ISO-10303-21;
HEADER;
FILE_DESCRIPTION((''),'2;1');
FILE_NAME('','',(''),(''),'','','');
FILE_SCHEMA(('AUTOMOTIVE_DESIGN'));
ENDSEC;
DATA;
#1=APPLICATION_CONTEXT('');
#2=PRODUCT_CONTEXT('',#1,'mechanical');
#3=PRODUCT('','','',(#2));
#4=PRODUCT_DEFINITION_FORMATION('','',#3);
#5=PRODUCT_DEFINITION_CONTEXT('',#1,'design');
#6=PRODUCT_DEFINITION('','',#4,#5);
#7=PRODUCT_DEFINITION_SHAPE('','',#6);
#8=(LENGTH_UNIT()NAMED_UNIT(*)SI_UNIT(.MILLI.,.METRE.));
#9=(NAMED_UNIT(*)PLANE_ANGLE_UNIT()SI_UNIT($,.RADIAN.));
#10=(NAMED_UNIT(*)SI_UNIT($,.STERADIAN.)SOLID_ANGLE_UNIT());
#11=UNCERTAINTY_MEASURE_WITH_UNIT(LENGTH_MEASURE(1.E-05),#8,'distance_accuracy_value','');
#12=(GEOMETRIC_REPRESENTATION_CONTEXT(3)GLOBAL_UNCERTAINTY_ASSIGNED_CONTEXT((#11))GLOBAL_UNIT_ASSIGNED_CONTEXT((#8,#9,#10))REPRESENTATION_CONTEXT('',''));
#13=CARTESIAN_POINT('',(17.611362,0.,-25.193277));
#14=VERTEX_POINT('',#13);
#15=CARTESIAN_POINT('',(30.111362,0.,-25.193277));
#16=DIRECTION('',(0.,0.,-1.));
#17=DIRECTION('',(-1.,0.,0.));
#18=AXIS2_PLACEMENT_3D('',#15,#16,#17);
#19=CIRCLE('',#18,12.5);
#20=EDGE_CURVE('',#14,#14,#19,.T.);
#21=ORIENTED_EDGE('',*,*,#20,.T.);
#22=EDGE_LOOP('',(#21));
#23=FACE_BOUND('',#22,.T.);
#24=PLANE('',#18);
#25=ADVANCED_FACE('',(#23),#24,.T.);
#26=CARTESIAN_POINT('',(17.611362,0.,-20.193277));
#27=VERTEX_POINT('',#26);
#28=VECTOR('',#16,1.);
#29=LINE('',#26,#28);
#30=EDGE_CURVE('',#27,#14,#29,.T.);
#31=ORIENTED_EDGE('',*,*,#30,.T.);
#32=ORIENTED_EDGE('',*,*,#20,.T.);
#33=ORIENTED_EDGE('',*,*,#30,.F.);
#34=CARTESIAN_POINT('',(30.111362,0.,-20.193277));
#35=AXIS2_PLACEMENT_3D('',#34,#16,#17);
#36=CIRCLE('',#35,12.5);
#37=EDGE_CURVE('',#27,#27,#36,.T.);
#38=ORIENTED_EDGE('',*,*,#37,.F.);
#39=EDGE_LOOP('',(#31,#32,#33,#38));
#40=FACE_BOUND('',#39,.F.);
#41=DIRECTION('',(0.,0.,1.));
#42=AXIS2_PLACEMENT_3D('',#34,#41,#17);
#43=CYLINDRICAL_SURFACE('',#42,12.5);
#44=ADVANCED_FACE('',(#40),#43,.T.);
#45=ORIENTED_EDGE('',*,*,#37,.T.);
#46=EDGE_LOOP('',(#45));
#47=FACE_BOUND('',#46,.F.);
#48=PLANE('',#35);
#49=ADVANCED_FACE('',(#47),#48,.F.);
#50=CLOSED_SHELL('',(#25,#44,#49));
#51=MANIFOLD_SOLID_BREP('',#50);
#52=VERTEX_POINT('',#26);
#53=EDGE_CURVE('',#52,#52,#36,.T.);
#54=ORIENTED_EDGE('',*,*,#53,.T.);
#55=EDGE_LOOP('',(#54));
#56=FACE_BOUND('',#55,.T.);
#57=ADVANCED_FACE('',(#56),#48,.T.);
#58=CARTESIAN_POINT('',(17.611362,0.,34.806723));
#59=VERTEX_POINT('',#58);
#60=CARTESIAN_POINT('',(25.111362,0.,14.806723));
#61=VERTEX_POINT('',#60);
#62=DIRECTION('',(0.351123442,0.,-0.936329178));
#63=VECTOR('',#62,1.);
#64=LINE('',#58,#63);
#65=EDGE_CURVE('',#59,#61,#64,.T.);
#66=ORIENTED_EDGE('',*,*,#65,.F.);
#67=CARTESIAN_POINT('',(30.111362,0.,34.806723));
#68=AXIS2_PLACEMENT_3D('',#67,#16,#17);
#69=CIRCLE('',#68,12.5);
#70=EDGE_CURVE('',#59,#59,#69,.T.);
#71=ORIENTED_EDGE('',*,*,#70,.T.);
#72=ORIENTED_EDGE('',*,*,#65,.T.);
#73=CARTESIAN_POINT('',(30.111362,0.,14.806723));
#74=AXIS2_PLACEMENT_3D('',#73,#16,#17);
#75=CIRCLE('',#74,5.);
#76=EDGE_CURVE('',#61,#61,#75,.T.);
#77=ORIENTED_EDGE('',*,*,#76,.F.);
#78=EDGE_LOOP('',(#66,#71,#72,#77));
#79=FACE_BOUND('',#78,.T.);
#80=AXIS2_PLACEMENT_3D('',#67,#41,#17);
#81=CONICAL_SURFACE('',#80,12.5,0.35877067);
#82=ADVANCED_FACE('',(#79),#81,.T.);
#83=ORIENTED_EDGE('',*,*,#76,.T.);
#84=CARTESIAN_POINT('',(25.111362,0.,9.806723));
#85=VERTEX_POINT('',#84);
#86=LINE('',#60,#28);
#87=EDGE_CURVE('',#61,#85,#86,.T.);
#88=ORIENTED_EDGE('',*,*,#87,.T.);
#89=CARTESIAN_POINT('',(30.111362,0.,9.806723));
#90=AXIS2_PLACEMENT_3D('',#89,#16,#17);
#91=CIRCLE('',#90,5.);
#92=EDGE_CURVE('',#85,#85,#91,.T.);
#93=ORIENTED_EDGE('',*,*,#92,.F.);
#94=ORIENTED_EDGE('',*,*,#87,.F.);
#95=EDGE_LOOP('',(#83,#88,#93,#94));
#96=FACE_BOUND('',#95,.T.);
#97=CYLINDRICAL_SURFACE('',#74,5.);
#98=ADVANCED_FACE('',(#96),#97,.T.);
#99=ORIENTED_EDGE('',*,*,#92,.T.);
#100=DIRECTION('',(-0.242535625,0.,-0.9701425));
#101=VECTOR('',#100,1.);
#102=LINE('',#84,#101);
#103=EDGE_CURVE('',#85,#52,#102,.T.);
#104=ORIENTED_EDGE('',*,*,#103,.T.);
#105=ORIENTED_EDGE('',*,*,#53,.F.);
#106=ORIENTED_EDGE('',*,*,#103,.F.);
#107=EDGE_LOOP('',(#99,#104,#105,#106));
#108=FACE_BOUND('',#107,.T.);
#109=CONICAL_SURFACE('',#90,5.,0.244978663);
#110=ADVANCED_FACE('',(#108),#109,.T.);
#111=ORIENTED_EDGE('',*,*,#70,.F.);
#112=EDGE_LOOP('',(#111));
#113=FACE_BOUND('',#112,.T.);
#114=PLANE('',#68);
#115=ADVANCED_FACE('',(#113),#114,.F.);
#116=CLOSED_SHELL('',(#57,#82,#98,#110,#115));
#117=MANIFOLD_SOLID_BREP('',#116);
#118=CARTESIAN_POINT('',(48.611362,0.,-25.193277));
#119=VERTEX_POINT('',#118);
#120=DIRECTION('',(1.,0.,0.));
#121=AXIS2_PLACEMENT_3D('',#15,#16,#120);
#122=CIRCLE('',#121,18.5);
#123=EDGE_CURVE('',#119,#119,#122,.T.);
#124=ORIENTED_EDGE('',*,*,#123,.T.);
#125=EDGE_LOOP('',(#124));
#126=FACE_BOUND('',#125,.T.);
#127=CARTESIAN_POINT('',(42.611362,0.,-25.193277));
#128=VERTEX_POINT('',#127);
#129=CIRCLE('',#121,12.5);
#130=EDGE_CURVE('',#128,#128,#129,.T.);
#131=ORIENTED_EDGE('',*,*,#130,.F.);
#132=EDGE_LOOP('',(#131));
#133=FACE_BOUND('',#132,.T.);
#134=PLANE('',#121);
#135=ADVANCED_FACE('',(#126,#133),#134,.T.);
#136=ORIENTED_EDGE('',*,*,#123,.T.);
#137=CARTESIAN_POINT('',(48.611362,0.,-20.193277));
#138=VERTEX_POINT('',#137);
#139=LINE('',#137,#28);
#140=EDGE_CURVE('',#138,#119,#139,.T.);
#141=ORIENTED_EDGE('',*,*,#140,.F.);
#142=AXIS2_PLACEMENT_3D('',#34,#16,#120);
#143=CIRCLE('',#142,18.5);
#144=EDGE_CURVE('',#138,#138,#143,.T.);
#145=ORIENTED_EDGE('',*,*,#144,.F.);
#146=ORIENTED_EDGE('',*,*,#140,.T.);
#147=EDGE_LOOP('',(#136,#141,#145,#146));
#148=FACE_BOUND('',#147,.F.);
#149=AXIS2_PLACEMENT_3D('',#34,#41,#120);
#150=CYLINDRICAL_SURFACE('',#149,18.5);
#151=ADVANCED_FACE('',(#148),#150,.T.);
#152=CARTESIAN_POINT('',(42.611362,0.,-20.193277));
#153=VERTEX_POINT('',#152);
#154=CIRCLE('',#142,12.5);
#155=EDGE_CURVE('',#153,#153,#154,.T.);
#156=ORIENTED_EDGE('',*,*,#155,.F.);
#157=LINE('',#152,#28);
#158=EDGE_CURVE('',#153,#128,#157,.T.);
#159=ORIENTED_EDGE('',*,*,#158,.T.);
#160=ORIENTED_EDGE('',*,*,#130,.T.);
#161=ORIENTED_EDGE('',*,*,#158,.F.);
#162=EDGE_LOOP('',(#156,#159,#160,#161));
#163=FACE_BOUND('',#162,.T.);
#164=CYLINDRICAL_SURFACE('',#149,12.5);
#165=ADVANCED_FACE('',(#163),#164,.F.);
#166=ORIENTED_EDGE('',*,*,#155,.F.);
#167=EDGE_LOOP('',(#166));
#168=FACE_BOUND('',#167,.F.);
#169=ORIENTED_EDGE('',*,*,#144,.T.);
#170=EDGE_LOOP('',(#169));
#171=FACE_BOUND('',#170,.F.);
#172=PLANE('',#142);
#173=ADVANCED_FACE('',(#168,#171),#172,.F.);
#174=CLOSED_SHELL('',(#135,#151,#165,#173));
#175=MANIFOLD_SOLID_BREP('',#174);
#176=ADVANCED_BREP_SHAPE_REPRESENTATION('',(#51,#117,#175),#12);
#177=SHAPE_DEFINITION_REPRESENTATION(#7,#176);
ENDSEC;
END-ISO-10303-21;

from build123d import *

# Parameters (mm, degrees)
F0_W     = 5
F0_H     = 1.25
F0_H_2   = 2.5
F2_R     = 18.5
F2_R_2   = 12.5
F3_DEPTH = 5
F4_DEPTH = 5


with BuildPart() as f1:
    # F0 (on Front) → F1 (revolve)
    with BuildSketch(Plane.XZ):
        Polygon((25.11136204, 9.8067230731), (17.61136204, -20.1932769269), (30.11136204, -20.1932769269), (30.11136204, 9.8067230731), align=None)
        Polygon((17.61136204, 34.8067230731), (25.11136204, 14.8067230731), (30.11136204, 14.8067230731), (30.11136204, 34.8067230731), align=None)
        with Locations((27.61136204, 10.4317230731)):
            Rectangle(F0_W, F0_H)
        with Locations((27.61136204, 12.3067230731)):
            Rectangle(F0_W, F0_H_2)
        with Locations((27.61136204, 14.1817230731)):
            Rectangle(F0_W, F0_H)
    revolve(axis=Axis((30.11136204, 0, 14.1817230731), (0, 0, -1)))


with BuildPart() as f3:
    # F2 (on face) → F3 (new body)
    with BuildSketch(Plane(origin=(0, 0, -20.1932769269), x_dir=(1, 0, 0), z_dir=(0, 0, -1))):
        with Locations((30.11136204, 0)):
            Circle(F2_R)
        with Locations((30.11136204, 0)):
            Circle(F2_R_2, mode=Mode.SUBTRACT)
    extrude(amount=F3_DEPTH)


with BuildPart() as f4:
    # F4 (new): a face of the model
    f4_faces = [f1.part.faces().sort_by_distance(p)[0] for p in [
        (30.11136204, 0, -20.1932769269),
    ]]
    extrude(f4_faces, amount=F4_DEPTH)


solid = Compound([f1.part, f3.part, f4.part])
